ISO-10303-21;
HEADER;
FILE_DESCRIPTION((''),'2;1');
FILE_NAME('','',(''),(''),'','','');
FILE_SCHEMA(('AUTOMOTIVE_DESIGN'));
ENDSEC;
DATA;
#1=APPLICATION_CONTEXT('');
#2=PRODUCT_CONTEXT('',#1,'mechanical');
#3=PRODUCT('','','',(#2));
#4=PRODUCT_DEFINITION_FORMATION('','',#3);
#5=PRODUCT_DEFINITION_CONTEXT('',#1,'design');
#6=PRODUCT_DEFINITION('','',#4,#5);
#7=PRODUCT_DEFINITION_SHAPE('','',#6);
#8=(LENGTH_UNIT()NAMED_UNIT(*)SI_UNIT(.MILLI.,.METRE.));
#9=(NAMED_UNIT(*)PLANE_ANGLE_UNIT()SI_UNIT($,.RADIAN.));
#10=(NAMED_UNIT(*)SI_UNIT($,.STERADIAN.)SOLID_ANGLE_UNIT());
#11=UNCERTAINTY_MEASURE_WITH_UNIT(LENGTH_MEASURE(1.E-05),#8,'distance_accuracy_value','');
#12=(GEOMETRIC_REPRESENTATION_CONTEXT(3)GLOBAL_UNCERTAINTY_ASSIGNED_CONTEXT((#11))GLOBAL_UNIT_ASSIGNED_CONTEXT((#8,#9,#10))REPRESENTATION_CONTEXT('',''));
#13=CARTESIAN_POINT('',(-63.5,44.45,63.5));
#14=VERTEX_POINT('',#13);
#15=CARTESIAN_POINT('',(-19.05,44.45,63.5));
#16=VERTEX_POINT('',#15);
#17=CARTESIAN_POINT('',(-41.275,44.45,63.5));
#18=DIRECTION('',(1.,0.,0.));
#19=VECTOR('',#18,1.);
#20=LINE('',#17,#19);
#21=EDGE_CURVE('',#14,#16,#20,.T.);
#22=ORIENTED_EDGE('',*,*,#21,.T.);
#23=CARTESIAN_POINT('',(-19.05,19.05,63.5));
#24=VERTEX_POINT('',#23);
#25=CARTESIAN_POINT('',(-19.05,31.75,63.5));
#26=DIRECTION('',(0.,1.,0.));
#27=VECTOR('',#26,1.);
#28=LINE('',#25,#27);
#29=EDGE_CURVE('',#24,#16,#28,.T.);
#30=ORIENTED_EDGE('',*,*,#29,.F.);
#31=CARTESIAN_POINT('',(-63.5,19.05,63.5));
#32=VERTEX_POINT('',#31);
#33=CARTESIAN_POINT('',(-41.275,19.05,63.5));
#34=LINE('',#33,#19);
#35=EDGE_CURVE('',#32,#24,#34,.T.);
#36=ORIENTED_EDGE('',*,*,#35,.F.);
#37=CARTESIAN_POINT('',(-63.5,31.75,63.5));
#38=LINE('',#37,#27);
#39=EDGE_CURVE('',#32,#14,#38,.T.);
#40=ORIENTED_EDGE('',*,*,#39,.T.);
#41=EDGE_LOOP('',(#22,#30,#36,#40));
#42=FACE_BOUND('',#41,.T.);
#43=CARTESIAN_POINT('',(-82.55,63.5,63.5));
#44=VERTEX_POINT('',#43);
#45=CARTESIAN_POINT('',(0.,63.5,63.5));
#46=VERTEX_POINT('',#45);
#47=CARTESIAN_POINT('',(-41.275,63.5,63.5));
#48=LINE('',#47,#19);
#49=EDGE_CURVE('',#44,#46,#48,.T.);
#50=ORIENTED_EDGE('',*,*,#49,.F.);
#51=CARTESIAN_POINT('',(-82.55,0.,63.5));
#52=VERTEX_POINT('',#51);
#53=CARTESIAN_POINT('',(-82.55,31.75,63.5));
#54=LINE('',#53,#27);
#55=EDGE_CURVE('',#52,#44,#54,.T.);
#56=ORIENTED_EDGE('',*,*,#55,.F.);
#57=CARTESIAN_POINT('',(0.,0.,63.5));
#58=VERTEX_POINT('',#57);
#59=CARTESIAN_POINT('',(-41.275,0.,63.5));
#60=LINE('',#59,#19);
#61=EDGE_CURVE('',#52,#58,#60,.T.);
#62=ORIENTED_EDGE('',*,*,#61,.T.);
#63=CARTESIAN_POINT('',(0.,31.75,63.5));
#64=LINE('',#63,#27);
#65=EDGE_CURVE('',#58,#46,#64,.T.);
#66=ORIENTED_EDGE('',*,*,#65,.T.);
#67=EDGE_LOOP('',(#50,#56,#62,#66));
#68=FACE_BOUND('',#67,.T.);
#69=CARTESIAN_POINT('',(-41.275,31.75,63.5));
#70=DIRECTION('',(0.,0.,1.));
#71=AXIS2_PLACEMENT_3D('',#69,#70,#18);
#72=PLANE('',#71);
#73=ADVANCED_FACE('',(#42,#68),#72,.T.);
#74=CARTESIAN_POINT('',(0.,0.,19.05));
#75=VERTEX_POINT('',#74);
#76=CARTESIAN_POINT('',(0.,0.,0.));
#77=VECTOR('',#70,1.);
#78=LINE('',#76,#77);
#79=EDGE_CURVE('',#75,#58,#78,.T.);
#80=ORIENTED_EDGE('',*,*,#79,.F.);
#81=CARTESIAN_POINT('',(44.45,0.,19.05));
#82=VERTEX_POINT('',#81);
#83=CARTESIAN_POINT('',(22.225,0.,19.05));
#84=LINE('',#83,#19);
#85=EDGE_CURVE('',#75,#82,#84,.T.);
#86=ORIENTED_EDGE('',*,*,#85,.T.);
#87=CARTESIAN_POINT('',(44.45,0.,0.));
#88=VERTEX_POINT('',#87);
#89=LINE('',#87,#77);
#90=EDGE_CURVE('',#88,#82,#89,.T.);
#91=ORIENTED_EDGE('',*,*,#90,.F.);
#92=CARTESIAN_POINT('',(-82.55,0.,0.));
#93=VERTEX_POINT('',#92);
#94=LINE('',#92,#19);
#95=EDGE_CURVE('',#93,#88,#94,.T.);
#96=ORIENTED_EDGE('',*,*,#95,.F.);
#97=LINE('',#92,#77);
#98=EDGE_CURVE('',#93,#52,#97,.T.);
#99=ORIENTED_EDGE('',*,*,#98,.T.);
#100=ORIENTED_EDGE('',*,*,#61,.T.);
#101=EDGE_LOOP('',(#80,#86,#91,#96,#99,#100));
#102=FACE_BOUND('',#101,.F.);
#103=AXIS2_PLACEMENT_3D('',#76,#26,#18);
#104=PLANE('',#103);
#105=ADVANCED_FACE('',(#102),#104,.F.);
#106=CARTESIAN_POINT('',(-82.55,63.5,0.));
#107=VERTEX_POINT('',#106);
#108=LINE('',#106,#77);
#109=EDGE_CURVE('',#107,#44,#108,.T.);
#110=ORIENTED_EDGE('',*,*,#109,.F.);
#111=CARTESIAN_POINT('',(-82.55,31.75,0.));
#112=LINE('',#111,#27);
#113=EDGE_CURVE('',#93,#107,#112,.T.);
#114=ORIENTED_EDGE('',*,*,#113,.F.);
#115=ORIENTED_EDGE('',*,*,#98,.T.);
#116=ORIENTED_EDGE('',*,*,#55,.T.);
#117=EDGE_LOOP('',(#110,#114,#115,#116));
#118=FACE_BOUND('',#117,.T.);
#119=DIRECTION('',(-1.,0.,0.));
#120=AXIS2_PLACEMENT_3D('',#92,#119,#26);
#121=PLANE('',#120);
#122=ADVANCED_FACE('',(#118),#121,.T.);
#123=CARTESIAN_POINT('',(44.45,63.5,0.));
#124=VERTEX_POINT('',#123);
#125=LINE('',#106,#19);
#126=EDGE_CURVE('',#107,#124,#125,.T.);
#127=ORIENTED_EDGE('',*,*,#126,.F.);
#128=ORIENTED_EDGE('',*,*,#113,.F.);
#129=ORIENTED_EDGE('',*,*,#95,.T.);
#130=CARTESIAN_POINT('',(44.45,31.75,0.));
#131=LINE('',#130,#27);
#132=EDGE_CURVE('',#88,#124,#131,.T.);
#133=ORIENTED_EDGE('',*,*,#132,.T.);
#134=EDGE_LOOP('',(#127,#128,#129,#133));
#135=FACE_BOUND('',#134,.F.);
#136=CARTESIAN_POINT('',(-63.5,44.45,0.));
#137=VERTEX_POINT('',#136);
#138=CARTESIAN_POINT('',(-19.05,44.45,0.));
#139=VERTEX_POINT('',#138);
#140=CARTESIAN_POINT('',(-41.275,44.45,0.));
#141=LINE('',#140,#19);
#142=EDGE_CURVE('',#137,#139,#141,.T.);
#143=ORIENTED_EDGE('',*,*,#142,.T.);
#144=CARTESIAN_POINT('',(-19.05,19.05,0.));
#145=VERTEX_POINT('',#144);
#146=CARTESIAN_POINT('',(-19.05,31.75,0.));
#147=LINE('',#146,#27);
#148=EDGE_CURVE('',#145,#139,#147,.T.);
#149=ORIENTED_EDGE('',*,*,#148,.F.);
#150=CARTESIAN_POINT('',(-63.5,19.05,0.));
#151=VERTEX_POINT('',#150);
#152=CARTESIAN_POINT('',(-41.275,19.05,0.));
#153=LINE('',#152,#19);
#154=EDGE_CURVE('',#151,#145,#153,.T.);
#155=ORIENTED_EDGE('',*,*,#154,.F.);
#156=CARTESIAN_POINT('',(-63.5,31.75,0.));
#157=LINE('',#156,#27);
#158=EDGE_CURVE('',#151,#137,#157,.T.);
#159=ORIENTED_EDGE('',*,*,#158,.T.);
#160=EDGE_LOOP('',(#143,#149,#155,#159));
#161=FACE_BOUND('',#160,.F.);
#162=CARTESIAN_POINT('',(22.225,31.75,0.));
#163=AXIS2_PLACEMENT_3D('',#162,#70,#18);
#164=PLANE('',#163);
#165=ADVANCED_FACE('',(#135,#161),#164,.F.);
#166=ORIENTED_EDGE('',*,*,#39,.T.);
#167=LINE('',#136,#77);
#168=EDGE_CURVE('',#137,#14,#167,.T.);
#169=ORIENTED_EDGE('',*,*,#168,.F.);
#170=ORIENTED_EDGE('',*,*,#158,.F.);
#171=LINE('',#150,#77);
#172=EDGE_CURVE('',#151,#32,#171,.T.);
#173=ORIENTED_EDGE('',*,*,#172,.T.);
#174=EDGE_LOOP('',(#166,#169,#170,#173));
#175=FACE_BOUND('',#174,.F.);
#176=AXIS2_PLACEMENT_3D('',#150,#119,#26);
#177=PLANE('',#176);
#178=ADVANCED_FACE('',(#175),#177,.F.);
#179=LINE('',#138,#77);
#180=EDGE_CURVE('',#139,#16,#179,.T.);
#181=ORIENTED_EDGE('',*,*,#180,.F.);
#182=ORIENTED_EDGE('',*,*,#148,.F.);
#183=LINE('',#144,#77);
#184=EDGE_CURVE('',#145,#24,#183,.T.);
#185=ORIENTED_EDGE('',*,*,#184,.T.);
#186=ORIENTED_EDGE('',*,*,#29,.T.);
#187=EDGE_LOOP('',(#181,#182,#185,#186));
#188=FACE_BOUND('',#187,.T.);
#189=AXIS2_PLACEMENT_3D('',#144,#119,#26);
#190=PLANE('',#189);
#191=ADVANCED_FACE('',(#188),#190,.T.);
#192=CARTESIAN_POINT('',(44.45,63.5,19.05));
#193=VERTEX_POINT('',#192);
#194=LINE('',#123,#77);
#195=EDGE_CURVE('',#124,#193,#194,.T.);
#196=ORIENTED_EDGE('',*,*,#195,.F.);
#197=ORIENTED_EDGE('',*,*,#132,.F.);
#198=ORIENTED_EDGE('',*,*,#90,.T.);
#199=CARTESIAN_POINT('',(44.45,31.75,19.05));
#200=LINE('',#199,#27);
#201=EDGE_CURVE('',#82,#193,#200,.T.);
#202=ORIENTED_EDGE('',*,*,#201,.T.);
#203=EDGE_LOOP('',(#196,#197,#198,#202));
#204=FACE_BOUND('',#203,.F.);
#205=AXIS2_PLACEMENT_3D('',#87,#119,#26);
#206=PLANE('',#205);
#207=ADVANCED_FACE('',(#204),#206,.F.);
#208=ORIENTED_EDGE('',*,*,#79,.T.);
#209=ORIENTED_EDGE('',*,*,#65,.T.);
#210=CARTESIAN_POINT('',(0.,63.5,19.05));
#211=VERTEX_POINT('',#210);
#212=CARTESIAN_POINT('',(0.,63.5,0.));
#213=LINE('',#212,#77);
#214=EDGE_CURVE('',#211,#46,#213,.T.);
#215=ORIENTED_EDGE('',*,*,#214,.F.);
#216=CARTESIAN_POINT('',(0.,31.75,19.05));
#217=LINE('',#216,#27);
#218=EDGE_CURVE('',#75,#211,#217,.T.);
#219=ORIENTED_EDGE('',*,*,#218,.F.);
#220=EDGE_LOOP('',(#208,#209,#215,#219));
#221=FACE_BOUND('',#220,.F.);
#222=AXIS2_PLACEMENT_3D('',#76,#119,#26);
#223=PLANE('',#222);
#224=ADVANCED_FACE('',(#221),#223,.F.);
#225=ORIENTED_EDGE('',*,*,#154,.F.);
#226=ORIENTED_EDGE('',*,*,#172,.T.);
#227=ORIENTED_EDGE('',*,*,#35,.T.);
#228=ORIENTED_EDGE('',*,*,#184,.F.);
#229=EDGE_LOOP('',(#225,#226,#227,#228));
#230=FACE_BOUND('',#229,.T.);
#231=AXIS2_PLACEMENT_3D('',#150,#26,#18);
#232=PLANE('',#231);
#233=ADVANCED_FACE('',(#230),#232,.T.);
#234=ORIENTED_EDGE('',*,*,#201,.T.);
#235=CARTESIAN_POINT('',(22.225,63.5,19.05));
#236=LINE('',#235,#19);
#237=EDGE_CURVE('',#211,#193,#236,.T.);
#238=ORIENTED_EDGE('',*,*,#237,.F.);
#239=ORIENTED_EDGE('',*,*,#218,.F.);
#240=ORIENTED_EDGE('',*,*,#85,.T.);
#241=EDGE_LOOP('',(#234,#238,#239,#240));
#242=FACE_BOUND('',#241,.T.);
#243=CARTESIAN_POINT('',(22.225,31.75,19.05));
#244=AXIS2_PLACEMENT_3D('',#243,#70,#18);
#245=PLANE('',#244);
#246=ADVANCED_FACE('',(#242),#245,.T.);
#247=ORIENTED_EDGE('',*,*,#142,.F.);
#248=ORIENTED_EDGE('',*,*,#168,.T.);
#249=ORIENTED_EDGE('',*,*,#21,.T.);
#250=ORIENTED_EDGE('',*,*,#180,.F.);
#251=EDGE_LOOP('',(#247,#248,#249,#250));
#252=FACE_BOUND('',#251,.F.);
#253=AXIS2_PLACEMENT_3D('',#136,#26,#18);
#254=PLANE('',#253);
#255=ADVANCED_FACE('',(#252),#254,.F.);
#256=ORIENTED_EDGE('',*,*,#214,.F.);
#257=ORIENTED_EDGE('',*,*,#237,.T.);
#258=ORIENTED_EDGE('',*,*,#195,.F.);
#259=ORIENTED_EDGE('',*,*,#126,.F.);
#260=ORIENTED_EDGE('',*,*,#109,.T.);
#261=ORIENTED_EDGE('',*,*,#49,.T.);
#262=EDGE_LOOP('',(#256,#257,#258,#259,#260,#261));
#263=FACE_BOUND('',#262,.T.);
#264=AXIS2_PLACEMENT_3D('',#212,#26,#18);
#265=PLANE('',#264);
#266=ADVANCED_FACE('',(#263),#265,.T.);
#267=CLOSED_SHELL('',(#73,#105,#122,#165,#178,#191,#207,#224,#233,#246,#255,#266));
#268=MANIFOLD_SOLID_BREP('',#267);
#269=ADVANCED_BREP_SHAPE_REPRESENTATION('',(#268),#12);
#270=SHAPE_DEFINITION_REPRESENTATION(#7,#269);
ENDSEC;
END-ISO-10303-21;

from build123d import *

# Parameters (mm, degrees)
F0_W     = 82.55
F0_H     = 63.5
F0_W_2   = 44.45
F0_H_2   = 25.4
F1_DEPTH = 63.5
F2_DEPTH = 19.05


with BuildPart() as f1:
    # F0 (on Top) → F1 (new body)
    with BuildSketch(Plane.XY):
        with Locations((-41.275, 31.75)):
            Rectangle(F0_W, F0_H)
        with Locations((-41.275, 31.75)):
            Rectangle(F0_W_2, F0_H_2, mode=Mode.SUBTRACT)
    extrude(amount=F1_DEPTH)

    # F0 (on Top) → F2 (join)
    with BuildSketch(Plane.XY):
        with Locations((22.225, 31.75)):
            Rectangle(F0_W_2, F0_H)
    extrude(amount=F2_DEPTH)


solid = f1.part
